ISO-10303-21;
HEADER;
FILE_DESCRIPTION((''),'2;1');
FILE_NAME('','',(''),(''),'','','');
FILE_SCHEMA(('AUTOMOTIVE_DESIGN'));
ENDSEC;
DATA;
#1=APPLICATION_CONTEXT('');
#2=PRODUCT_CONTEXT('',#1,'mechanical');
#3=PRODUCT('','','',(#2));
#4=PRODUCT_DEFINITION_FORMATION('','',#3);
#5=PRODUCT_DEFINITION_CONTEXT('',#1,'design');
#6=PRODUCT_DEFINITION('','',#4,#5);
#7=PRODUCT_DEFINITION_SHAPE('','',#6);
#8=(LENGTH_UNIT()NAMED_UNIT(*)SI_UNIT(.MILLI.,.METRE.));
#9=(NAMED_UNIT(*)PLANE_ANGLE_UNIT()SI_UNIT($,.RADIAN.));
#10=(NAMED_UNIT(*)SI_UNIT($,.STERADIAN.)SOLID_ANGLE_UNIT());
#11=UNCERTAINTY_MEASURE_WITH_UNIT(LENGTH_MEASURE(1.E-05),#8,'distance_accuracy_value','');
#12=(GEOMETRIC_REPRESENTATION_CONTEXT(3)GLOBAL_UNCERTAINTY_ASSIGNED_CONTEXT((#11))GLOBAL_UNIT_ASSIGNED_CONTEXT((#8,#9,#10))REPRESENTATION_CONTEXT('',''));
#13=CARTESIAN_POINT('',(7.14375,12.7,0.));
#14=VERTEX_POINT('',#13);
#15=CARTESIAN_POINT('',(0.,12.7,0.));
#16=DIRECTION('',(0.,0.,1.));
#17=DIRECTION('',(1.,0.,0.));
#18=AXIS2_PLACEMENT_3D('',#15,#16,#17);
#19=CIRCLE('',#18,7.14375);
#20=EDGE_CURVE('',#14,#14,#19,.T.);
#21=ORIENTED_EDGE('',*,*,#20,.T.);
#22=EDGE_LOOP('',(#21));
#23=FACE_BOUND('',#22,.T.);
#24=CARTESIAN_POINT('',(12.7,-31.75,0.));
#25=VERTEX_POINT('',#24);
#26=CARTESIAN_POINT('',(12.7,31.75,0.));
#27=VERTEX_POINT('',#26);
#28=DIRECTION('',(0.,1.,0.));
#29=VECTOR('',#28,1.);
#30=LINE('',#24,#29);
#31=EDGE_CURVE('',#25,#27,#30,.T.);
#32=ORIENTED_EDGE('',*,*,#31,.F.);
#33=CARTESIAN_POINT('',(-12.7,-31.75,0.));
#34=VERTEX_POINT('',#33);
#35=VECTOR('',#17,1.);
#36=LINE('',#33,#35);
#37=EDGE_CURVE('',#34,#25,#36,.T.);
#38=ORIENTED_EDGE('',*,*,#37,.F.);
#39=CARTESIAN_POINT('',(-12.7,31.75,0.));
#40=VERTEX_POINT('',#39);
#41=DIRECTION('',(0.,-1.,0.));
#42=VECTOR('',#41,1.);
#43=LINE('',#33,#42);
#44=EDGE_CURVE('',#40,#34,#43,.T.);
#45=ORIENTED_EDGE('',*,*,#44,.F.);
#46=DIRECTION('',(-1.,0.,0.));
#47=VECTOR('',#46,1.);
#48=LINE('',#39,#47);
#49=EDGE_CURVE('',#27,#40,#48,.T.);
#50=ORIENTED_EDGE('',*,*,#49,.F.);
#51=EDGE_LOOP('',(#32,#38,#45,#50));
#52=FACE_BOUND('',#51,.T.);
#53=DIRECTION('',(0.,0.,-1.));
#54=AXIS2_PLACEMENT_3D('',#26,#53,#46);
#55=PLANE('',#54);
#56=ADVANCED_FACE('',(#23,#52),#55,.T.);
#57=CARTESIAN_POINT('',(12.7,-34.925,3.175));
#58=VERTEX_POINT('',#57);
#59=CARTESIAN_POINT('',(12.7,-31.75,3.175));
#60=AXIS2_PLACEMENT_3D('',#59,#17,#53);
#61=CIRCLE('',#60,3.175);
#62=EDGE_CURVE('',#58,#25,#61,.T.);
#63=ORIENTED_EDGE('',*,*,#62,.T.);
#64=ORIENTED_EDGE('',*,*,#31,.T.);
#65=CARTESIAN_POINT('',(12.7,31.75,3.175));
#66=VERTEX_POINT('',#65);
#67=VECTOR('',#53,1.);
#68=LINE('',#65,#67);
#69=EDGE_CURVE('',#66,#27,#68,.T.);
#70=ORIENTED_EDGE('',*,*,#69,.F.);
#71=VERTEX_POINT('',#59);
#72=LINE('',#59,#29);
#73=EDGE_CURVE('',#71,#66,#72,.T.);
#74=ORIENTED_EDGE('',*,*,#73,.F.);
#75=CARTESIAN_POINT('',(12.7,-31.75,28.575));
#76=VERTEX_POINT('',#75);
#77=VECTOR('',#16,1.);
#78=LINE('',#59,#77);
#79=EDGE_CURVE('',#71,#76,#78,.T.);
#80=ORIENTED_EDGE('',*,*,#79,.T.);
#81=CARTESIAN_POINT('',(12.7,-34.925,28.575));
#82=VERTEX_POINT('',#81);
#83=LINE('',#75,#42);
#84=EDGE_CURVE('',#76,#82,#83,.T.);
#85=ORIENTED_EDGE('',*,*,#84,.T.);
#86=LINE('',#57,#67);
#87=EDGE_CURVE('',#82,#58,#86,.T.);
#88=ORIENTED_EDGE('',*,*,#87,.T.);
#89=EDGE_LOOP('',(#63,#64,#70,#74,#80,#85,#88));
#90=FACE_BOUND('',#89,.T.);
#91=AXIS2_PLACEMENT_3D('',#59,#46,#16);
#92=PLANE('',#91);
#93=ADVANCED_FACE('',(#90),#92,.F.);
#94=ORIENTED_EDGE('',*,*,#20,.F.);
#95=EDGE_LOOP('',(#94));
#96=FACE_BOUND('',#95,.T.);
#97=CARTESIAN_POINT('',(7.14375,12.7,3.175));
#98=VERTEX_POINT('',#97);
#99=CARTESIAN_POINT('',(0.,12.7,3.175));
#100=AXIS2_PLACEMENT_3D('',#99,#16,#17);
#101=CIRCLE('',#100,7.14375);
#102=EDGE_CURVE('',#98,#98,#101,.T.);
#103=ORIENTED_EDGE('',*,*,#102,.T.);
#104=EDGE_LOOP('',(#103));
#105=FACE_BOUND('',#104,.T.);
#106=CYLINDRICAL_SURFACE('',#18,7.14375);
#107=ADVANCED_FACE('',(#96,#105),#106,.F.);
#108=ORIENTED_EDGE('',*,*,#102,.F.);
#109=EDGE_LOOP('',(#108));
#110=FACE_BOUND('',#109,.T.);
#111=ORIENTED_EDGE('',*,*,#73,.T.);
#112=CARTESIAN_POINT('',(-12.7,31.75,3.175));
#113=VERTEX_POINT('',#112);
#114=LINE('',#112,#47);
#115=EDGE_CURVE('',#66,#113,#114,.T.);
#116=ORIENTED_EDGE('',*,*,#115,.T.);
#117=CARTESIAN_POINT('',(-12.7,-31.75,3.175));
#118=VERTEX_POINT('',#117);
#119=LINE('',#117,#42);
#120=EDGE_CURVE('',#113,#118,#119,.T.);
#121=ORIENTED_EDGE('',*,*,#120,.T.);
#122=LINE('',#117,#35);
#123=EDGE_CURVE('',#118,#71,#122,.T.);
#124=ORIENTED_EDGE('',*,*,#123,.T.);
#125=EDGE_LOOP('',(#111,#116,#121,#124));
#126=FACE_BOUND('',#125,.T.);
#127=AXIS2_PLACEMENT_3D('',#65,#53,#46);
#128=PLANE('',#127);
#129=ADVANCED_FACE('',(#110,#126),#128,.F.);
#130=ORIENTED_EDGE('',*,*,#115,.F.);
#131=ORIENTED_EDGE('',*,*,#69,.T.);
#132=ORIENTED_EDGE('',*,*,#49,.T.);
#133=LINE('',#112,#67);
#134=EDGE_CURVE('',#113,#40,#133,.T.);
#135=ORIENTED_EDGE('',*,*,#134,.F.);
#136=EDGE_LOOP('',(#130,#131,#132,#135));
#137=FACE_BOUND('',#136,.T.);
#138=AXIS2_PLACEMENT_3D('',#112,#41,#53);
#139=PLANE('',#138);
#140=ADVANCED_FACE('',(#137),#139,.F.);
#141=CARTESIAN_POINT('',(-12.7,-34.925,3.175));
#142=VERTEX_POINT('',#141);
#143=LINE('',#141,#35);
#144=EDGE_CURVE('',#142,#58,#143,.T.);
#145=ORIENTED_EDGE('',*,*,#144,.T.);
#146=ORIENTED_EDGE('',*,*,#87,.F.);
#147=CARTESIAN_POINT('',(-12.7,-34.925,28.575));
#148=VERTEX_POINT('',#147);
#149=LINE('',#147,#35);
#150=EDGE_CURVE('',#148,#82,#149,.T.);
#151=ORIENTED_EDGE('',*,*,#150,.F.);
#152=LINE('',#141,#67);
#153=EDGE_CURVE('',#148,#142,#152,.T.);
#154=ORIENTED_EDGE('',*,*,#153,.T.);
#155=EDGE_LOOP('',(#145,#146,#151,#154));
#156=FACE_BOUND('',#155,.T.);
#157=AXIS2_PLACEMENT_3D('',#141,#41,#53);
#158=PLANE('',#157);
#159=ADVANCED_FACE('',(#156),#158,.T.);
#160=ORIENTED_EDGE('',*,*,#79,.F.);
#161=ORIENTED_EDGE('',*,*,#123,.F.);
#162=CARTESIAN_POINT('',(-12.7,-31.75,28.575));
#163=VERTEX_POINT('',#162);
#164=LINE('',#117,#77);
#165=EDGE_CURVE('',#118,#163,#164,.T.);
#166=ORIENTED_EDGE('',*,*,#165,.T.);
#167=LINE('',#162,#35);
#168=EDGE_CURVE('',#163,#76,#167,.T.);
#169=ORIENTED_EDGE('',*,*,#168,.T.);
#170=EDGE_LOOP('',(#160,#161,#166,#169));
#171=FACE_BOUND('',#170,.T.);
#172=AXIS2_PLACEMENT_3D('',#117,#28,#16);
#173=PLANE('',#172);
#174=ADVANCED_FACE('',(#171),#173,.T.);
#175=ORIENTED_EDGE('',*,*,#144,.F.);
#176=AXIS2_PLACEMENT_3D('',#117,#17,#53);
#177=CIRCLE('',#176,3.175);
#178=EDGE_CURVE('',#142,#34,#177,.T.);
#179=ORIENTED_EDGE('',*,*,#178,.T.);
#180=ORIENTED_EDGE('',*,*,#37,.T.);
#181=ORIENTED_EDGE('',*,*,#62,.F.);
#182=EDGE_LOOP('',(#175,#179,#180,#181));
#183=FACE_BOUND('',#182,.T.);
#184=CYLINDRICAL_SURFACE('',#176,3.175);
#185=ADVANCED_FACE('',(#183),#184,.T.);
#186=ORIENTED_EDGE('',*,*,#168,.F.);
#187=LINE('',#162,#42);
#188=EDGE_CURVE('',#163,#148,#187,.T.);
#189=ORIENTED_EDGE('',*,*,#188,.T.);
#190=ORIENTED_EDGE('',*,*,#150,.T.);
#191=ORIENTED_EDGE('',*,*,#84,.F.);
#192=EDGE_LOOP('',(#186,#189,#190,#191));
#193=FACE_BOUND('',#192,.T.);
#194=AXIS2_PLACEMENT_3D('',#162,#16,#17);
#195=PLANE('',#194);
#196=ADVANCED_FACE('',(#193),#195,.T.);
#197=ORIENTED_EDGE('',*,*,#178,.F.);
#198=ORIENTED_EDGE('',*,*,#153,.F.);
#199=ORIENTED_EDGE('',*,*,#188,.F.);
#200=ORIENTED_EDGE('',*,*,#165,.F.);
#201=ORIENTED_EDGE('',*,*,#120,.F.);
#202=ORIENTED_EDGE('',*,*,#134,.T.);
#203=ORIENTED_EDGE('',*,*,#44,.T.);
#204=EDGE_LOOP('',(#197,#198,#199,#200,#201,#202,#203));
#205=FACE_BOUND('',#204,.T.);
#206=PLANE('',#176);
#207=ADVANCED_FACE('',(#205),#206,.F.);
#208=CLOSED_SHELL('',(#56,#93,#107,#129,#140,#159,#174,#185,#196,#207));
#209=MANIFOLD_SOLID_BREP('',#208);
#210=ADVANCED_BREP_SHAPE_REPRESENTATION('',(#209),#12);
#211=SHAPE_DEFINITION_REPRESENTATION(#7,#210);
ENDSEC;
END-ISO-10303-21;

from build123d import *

# Parameters (mm, degrees)
SKETCH1_W           = 25.4
SKETCH1_H           = 63.5
BOSS_EXTRUDE1_DEPTH = 3.175
SKETCH2_W           = 25.4
SKETCH2_H           = 3.175
BOSS_EXTRUDE2_DEPTH = 25.4
BOSS_EXTRUDE3_DEPTH = 25.4
SKETCH4_R           = 7.14375
CUT_EXTRUDE1_DEPTH  = 4.175


with BuildPart() as part:
    # Sketch1 → Boss-Extrude1 (new body)
    with BuildSketch(Plane.XY):
        Rectangle(SKETCH1_W, SKETCH1_H)
    extrude(amount=BOSS_EXTRUDE1_DEPTH)



with BuildPart() as body_2:
    # Sketch2 → Boss-Extrude2 (new body)
    with BuildSketch(Plane(origin=(12.7, 0, 0), x_dir=(0, 0, -1), z_dir=(1, 0, 0))):
        with Locations((-15.875, -33.3375)):
            Rectangle(SKETCH2_W, SKETCH2_H)
    extrude(amount=-BOSS_EXTRUDE2_DEPTH)


with BuildPart() as part_1:
    add(part.part)

    add(body_2.part)  # Boss-Extrude3 merges body 2
    # Sketch3 → Boss-Extrude3 (add)
    with BuildSketch(Plane(origin=(12.7, 0, 0), x_dir=(0, 0, -1), z_dir=(1, 0, 0))):
        with BuildLine():
            Line((0, -31.75), (-3.175, -31.75))
            Line((-3.175, -31.75), (-3.175, -34.925))
            ThreePointArc((-3.175, -34.925), (-0.92993597, -33.99506403), (0, -31.75))
        make_face()
    extrude(amount=-BOSS_EXTRUDE3_DEPTH)

    # Sketch4 → Cut-Extrude1 (cut, through all)
    with BuildSketch(Plane.XY.offset(3.175)):
        with Locations((0, 12.7)):
            Circle(SKETCH4_R)
    extrude(amount=-CUT_EXTRUDE1_DEPTH, mode=Mode.SUBTRACT)


solid = part_1.part
